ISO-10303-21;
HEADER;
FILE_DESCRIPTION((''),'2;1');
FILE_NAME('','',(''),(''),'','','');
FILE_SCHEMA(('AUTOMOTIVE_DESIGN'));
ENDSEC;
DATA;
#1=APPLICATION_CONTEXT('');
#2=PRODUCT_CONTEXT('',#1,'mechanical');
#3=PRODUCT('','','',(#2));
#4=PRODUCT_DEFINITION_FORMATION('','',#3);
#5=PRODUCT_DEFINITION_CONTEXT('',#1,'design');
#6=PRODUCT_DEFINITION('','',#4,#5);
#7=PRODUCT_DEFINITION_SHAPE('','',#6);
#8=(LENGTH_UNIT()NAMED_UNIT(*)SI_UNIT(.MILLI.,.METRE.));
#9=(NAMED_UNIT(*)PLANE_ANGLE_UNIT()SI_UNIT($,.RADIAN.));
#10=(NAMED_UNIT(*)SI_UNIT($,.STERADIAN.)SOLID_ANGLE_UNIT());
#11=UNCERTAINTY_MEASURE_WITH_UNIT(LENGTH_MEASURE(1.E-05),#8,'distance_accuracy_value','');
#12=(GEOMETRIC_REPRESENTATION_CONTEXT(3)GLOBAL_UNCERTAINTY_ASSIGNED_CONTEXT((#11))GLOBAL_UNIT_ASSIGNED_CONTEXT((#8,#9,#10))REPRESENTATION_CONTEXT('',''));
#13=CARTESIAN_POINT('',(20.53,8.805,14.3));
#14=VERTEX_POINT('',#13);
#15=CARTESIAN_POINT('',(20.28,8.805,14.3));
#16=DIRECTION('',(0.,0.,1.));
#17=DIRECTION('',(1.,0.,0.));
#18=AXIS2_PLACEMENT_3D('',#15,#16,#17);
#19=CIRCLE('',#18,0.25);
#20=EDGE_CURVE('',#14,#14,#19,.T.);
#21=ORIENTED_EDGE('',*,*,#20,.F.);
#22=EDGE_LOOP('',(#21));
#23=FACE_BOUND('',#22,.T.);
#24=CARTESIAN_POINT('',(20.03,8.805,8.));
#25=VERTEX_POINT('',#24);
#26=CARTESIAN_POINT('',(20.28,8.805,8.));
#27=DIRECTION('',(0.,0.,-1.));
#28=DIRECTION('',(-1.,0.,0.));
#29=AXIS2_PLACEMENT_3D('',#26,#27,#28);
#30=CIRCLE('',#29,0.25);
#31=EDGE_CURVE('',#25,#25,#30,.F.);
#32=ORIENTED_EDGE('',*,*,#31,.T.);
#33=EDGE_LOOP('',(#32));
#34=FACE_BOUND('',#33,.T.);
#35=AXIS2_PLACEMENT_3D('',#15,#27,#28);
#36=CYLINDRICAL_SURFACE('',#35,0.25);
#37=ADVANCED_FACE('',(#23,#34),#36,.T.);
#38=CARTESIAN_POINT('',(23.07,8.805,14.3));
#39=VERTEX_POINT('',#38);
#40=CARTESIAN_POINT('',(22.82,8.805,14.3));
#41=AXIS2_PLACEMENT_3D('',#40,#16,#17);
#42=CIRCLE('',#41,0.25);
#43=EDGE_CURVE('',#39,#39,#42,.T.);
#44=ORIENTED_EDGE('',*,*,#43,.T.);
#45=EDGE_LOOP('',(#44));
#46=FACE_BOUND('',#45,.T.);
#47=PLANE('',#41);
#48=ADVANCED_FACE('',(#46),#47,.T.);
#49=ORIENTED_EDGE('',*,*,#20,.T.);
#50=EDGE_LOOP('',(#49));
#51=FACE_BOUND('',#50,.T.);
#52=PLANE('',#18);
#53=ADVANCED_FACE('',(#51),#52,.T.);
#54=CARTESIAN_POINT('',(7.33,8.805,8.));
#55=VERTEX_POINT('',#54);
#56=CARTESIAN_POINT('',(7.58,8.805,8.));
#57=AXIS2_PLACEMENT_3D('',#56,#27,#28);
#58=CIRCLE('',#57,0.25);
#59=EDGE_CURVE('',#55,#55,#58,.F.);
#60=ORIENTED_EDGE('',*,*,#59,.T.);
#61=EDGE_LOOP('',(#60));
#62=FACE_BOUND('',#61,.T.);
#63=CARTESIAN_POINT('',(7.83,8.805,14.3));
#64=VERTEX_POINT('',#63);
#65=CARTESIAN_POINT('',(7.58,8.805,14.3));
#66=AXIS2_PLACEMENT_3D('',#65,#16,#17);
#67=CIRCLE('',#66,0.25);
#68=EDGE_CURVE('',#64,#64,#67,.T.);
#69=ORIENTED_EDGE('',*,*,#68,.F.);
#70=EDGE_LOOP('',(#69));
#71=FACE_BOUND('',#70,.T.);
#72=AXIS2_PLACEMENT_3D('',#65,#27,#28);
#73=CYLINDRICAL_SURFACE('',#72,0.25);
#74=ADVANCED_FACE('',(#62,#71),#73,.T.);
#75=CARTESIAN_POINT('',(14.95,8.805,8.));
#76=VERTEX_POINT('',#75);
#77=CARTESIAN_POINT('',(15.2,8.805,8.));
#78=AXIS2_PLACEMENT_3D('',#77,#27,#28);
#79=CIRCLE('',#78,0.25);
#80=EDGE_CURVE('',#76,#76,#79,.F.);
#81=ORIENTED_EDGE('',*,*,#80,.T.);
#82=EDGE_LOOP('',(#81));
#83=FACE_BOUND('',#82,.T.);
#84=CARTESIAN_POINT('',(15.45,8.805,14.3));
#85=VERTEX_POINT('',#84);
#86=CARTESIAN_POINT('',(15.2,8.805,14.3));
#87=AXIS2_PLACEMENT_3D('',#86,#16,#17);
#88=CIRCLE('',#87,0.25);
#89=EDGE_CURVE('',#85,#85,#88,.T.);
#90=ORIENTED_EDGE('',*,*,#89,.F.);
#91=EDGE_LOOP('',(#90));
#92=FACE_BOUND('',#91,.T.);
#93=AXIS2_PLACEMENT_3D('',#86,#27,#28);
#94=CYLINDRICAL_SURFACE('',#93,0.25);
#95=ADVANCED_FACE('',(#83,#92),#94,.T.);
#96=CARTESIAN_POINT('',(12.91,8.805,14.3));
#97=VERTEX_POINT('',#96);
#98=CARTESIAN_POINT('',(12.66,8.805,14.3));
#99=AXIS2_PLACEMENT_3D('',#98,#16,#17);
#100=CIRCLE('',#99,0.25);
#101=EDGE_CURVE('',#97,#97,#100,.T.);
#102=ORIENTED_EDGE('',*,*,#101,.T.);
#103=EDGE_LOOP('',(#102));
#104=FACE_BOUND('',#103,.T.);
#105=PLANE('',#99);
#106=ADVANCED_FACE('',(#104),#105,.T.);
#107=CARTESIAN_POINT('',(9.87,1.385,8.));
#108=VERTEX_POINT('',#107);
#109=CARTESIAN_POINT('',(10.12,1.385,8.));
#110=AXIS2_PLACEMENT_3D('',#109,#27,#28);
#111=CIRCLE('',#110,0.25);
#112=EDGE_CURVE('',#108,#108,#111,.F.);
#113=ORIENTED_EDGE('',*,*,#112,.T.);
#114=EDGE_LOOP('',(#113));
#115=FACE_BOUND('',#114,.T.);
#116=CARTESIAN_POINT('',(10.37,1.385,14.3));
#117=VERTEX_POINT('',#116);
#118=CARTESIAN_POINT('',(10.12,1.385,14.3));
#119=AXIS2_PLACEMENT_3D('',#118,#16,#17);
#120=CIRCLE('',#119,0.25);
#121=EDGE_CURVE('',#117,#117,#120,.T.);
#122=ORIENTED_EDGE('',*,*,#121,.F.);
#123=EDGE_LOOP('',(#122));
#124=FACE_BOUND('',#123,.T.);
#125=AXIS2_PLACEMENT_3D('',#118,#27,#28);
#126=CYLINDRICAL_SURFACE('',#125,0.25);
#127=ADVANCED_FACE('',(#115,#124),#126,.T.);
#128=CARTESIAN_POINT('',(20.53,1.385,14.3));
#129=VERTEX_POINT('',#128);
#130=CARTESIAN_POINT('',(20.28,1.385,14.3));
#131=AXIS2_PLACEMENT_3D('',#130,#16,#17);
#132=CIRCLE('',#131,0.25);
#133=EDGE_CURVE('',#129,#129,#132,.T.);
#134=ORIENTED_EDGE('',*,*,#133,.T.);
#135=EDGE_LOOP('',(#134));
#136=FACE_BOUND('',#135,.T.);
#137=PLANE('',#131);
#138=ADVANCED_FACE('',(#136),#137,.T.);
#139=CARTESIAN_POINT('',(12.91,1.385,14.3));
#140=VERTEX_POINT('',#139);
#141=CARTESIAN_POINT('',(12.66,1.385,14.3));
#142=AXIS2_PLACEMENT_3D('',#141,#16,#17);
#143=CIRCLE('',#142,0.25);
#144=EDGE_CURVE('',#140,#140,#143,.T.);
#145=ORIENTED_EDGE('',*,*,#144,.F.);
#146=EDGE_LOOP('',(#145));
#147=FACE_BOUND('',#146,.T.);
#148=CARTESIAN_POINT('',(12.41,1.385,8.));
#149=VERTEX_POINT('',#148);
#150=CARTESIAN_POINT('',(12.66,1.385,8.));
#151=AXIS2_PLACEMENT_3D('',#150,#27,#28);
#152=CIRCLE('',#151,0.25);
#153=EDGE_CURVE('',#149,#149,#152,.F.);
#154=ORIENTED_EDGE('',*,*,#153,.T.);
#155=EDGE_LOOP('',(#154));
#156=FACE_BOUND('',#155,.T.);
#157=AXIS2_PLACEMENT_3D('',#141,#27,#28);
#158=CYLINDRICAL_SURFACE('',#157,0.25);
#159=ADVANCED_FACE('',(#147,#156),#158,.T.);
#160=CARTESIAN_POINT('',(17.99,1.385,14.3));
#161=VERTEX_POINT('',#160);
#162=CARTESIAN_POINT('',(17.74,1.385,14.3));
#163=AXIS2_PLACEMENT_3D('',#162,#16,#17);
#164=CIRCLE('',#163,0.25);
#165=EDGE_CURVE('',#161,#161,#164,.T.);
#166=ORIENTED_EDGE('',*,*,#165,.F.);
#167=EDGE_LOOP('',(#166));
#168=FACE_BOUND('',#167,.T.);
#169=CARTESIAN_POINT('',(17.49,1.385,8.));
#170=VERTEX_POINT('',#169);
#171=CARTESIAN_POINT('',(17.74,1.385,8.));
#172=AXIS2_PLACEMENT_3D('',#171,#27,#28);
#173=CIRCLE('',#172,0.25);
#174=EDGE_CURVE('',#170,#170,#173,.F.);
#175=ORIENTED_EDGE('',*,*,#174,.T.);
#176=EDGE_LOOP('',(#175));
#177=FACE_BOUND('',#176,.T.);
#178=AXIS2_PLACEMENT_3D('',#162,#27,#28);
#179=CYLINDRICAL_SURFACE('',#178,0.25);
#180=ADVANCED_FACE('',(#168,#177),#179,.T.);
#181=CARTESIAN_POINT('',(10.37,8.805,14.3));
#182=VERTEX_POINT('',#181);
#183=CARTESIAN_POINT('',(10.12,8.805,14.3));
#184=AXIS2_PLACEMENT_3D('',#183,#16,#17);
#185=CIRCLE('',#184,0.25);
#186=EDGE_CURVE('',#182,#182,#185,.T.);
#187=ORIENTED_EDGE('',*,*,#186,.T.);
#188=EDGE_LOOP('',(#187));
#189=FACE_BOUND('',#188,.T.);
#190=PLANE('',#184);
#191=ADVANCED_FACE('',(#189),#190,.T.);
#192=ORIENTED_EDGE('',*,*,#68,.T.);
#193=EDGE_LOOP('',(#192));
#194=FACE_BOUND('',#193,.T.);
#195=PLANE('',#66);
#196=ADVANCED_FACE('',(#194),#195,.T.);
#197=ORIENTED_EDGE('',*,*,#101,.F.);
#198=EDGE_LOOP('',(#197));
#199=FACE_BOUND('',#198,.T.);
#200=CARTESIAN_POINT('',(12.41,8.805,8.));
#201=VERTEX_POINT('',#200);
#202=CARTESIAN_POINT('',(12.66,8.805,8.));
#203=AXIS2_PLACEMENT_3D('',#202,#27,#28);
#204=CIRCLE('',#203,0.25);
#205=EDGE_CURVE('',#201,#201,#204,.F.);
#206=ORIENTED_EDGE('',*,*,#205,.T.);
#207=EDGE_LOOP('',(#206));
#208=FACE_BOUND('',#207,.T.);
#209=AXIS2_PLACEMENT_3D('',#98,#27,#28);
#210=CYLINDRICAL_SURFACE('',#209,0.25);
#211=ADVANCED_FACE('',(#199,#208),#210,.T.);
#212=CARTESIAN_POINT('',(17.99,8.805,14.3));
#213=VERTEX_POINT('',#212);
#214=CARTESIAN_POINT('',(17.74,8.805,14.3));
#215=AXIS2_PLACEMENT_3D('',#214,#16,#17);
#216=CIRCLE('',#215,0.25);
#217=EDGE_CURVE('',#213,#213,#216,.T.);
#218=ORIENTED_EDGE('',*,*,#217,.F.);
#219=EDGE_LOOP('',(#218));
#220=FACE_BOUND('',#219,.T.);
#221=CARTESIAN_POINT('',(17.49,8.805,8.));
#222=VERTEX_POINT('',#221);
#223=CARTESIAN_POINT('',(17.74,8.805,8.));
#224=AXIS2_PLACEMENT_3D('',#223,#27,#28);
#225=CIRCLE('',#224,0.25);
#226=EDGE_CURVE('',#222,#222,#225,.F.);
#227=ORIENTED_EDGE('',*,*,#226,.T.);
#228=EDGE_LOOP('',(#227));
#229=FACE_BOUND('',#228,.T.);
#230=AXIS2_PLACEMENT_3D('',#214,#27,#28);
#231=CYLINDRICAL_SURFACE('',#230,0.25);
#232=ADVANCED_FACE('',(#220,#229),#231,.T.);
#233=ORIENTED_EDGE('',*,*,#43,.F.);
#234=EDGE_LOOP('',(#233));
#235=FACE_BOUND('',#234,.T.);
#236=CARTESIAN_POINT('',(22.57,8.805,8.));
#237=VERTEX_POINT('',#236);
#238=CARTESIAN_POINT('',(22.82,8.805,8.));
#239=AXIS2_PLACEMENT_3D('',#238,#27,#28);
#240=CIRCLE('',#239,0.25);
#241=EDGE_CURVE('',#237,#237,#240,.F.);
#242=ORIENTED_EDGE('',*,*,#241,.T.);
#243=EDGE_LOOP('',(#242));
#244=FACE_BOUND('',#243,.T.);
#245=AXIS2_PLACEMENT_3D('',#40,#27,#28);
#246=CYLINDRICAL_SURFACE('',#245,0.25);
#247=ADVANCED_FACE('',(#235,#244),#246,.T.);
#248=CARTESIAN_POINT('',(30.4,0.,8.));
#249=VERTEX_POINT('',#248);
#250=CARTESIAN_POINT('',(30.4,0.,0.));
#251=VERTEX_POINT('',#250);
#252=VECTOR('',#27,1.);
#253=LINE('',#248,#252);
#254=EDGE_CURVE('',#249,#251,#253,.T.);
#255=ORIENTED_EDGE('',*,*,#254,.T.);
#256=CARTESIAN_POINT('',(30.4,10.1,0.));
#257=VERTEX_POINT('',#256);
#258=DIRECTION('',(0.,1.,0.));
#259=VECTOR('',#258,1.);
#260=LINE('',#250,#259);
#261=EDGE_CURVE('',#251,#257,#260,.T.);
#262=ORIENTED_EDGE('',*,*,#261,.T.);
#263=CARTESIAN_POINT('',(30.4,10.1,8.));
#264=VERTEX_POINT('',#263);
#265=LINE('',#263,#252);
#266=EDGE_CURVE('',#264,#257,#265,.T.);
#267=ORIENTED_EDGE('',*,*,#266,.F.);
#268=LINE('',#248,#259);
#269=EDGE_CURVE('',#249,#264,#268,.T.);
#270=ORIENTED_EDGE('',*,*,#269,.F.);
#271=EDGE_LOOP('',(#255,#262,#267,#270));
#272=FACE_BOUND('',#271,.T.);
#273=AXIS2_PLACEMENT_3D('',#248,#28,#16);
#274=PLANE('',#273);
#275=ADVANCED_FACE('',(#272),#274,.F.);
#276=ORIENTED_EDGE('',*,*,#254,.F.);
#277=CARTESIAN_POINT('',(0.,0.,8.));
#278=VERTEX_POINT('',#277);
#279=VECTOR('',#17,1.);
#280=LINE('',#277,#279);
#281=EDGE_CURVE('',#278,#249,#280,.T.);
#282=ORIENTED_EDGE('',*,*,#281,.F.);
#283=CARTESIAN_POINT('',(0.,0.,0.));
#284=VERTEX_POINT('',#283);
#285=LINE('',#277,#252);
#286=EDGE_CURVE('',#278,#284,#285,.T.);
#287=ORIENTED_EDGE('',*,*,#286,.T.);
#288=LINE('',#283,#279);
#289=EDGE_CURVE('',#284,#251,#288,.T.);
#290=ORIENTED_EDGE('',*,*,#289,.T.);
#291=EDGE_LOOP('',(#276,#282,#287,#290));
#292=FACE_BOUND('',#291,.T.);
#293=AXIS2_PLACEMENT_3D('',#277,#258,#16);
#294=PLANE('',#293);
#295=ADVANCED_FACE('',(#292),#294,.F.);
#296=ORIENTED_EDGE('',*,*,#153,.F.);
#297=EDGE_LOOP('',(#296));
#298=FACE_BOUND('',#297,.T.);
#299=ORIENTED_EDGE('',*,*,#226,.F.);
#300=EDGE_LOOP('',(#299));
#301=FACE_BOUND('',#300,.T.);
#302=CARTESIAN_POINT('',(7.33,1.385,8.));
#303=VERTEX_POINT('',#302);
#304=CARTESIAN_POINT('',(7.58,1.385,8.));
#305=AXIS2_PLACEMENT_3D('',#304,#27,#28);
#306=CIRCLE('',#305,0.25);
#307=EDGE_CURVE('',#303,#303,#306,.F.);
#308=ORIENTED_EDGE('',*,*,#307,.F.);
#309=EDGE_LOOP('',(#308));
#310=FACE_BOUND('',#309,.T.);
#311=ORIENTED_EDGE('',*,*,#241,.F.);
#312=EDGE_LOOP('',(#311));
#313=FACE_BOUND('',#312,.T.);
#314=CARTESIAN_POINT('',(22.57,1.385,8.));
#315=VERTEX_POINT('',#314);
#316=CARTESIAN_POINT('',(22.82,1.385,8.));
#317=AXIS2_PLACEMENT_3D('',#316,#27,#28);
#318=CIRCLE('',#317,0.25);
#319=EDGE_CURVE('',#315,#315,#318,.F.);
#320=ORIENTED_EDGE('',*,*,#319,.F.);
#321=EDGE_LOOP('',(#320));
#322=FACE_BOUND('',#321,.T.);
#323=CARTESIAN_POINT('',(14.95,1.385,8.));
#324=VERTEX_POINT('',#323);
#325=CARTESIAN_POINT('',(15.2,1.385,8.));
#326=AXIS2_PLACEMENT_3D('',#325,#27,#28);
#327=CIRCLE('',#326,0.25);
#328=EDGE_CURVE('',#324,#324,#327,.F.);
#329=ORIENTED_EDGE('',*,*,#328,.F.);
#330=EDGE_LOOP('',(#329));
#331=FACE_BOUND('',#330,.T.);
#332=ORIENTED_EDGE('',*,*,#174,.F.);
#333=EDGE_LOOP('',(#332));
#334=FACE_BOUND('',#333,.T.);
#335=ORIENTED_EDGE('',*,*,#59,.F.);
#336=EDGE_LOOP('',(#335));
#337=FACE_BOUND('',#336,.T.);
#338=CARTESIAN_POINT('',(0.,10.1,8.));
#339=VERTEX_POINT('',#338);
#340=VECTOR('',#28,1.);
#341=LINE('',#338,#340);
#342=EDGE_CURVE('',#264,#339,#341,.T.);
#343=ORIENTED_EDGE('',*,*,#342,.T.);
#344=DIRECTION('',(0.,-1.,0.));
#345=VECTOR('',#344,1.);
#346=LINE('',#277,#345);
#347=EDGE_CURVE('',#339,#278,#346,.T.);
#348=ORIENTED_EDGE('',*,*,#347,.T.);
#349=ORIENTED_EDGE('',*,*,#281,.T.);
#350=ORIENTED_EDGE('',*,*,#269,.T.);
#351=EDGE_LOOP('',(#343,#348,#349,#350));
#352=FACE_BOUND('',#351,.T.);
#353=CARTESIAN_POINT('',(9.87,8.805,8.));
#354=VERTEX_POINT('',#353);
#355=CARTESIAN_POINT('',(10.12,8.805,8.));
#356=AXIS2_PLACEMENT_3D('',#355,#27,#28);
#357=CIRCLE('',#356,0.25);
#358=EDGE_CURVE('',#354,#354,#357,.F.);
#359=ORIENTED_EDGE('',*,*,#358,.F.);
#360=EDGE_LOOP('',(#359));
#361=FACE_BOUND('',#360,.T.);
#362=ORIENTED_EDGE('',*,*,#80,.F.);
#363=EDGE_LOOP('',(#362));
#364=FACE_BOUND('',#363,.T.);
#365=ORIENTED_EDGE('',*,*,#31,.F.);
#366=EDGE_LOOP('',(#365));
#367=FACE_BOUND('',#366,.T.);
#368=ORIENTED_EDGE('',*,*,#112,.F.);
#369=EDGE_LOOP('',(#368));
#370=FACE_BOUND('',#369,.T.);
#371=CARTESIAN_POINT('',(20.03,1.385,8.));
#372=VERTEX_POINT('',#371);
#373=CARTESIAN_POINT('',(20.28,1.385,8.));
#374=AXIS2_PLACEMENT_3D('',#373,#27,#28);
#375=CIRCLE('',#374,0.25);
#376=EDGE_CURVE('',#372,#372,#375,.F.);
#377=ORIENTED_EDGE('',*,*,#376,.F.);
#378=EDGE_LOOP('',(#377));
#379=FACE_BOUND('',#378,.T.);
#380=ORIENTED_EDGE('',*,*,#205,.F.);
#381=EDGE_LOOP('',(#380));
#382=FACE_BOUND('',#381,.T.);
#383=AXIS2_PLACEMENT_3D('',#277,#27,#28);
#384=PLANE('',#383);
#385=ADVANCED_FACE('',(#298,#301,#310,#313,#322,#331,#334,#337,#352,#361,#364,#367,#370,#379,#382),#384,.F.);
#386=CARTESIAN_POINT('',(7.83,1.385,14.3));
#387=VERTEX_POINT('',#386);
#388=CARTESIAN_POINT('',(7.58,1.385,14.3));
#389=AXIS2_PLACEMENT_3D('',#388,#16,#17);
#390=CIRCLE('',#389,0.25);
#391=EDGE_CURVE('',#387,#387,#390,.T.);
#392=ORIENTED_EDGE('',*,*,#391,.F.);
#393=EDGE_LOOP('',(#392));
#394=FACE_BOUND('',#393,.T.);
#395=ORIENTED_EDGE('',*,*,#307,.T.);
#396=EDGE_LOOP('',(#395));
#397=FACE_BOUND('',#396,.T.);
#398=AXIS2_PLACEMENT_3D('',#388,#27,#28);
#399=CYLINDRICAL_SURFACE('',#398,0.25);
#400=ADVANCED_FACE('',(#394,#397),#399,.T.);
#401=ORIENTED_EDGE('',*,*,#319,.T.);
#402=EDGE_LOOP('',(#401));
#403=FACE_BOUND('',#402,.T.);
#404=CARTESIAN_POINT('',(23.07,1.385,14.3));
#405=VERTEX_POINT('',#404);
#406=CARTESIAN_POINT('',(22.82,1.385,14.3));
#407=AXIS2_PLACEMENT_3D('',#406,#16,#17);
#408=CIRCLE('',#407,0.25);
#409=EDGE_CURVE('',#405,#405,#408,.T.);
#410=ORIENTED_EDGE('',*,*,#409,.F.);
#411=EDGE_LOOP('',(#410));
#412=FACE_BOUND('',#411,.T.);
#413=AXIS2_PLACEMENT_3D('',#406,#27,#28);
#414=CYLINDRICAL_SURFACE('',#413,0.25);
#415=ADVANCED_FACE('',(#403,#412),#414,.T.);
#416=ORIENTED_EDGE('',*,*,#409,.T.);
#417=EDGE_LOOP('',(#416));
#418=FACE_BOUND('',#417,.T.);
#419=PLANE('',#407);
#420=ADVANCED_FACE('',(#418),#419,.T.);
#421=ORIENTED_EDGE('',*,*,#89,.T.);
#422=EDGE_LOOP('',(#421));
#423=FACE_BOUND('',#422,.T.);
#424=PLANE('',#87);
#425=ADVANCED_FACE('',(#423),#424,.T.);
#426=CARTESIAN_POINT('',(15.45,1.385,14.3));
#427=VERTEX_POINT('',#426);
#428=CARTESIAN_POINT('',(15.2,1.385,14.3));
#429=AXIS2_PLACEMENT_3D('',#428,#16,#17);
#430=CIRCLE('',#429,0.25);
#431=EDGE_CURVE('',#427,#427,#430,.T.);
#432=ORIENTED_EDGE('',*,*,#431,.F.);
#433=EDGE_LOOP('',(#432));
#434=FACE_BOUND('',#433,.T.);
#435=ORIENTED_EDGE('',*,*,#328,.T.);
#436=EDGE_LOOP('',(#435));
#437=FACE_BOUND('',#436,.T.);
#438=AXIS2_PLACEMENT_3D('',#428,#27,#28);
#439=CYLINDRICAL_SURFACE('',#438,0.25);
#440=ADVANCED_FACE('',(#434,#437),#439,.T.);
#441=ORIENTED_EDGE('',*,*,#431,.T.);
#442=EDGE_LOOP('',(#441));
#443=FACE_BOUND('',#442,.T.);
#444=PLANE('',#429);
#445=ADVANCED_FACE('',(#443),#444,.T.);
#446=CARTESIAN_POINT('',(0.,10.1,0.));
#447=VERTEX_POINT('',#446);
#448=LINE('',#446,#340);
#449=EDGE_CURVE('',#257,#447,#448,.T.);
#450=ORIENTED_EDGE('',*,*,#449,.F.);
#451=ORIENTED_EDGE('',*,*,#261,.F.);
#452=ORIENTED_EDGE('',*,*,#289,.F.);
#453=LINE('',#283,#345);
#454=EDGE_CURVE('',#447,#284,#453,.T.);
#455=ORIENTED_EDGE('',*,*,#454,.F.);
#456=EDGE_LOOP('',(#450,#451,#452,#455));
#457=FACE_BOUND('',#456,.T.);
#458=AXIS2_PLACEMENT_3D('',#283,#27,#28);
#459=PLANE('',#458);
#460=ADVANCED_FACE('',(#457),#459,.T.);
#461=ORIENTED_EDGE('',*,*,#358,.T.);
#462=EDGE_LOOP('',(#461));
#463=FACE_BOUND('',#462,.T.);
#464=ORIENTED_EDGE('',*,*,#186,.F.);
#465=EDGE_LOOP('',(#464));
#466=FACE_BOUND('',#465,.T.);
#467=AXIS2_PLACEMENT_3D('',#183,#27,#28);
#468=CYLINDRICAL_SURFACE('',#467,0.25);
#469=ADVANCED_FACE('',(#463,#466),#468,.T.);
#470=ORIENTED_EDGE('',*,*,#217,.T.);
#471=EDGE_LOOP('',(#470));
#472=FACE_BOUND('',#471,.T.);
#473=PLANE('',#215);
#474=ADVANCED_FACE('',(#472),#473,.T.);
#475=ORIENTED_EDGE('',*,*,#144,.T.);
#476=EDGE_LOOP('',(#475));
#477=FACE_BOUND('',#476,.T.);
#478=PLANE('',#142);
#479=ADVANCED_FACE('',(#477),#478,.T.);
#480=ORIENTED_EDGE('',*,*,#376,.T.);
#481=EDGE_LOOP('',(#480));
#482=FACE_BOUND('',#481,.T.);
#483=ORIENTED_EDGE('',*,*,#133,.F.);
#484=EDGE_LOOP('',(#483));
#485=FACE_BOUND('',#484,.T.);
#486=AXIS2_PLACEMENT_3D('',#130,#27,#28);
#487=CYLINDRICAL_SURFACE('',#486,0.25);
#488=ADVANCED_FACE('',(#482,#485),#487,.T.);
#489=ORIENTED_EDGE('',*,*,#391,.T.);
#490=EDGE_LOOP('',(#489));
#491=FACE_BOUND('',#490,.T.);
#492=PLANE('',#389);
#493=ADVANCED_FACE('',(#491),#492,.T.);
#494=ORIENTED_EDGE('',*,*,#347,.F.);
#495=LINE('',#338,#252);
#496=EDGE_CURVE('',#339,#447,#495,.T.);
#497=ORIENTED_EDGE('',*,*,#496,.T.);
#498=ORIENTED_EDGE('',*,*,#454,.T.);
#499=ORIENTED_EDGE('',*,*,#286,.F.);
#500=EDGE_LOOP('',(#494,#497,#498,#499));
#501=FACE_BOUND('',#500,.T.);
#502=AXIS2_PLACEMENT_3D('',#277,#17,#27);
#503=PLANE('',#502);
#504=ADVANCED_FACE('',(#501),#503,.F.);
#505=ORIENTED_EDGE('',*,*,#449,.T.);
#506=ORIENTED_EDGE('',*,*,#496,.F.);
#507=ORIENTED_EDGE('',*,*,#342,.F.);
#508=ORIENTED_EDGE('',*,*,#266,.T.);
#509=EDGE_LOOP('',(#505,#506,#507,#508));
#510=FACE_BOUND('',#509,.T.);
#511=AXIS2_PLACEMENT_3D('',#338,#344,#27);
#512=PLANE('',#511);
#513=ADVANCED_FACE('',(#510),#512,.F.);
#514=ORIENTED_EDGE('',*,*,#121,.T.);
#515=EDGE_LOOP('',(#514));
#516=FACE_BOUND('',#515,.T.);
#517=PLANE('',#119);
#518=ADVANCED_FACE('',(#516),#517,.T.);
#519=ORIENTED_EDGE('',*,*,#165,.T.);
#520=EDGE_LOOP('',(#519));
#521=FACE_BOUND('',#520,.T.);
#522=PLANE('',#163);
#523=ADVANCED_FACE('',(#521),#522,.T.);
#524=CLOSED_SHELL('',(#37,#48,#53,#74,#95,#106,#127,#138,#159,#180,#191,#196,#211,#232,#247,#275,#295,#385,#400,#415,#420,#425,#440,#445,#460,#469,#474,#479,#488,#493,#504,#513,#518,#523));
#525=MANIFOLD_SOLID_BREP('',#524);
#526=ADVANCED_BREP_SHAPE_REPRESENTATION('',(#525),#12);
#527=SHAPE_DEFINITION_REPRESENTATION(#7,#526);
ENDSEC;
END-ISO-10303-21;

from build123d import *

# Parameters (mm, degrees)
SKETCH2_W           = 30.4
SKETCH2_H           = 10.1
BOSS_EXTRUDE1_DEPTH = 8
SKETCH3_R           = 0.25
BOSS_EXTRUDE2_DEPTH = 6.3


with BuildPart() as part:
    # Sketch2 → Boss-Extrude1 (new body)
    with BuildSketch(Plane.XY):
        with Locations((15.2, 5.05)):
            Rectangle(SKETCH2_W, SKETCH2_H)
    extrude(amount=BOSS_EXTRUDE1_DEPTH)

    # Sketch3 → Boss-Extrude2 (add)
    with BuildSketch(Plane.XY.offset(8)):
        with Locations(Location((7.58, 8.805, 0), (0, 0, 180))):
            Circle(SKETCH3_R)
        with Locations(Location((10.12, 8.805, 0), (0, 0, 180))):
            Circle(SKETCH3_R)
        with Locations(Location((12.66, 8.805, 0), (0, 0, 180))):
            Circle(SKETCH3_R)
        with Locations(Location((15.2, 8.805, 0), (0, 0, 180))):
            Circle(SKETCH3_R)
        with Locations(Location((17.74, 8.805, 0), (0, 0, 180))):
            Circle(SKETCH3_R)
        with Locations(Location((20.28, 8.805, 0), (0, 0, 180))):
            Circle(SKETCH3_R)
        with Locations(Location((22.82, 8.805, 0), (0, 0, 180))):
            Circle(SKETCH3_R)
        with Locations(Location((10.12, 1.385, 0), (0, 0, 180))):
            Circle(SKETCH3_R)
        with Locations(Location((12.66, 1.385, 0), (0, 0, 180))):
            Circle(SKETCH3_R)
        with Locations(Location((15.2, 1.385, 0), (0, 0, 180))):
            Circle(SKETCH3_R)
        with Locations(Location((17.74, 1.385, 0), (0, 0, 180))):
            Circle(SKETCH3_R)
        with Locations(Location((20.28, 1.385, 0), (0, 0, 180))):
            Circle(SKETCH3_R)
        with Locations(Location((22.82, 1.385, 0), (0, 0, 180))):
            Circle(SKETCH3_R)
        with Locations(Location((7.58, 1.385, 0), (0, 0, 180))):
            Circle(SKETCH3_R)
    extrude(amount=BOSS_EXTRUDE2_DEPTH)


solid = part.part
